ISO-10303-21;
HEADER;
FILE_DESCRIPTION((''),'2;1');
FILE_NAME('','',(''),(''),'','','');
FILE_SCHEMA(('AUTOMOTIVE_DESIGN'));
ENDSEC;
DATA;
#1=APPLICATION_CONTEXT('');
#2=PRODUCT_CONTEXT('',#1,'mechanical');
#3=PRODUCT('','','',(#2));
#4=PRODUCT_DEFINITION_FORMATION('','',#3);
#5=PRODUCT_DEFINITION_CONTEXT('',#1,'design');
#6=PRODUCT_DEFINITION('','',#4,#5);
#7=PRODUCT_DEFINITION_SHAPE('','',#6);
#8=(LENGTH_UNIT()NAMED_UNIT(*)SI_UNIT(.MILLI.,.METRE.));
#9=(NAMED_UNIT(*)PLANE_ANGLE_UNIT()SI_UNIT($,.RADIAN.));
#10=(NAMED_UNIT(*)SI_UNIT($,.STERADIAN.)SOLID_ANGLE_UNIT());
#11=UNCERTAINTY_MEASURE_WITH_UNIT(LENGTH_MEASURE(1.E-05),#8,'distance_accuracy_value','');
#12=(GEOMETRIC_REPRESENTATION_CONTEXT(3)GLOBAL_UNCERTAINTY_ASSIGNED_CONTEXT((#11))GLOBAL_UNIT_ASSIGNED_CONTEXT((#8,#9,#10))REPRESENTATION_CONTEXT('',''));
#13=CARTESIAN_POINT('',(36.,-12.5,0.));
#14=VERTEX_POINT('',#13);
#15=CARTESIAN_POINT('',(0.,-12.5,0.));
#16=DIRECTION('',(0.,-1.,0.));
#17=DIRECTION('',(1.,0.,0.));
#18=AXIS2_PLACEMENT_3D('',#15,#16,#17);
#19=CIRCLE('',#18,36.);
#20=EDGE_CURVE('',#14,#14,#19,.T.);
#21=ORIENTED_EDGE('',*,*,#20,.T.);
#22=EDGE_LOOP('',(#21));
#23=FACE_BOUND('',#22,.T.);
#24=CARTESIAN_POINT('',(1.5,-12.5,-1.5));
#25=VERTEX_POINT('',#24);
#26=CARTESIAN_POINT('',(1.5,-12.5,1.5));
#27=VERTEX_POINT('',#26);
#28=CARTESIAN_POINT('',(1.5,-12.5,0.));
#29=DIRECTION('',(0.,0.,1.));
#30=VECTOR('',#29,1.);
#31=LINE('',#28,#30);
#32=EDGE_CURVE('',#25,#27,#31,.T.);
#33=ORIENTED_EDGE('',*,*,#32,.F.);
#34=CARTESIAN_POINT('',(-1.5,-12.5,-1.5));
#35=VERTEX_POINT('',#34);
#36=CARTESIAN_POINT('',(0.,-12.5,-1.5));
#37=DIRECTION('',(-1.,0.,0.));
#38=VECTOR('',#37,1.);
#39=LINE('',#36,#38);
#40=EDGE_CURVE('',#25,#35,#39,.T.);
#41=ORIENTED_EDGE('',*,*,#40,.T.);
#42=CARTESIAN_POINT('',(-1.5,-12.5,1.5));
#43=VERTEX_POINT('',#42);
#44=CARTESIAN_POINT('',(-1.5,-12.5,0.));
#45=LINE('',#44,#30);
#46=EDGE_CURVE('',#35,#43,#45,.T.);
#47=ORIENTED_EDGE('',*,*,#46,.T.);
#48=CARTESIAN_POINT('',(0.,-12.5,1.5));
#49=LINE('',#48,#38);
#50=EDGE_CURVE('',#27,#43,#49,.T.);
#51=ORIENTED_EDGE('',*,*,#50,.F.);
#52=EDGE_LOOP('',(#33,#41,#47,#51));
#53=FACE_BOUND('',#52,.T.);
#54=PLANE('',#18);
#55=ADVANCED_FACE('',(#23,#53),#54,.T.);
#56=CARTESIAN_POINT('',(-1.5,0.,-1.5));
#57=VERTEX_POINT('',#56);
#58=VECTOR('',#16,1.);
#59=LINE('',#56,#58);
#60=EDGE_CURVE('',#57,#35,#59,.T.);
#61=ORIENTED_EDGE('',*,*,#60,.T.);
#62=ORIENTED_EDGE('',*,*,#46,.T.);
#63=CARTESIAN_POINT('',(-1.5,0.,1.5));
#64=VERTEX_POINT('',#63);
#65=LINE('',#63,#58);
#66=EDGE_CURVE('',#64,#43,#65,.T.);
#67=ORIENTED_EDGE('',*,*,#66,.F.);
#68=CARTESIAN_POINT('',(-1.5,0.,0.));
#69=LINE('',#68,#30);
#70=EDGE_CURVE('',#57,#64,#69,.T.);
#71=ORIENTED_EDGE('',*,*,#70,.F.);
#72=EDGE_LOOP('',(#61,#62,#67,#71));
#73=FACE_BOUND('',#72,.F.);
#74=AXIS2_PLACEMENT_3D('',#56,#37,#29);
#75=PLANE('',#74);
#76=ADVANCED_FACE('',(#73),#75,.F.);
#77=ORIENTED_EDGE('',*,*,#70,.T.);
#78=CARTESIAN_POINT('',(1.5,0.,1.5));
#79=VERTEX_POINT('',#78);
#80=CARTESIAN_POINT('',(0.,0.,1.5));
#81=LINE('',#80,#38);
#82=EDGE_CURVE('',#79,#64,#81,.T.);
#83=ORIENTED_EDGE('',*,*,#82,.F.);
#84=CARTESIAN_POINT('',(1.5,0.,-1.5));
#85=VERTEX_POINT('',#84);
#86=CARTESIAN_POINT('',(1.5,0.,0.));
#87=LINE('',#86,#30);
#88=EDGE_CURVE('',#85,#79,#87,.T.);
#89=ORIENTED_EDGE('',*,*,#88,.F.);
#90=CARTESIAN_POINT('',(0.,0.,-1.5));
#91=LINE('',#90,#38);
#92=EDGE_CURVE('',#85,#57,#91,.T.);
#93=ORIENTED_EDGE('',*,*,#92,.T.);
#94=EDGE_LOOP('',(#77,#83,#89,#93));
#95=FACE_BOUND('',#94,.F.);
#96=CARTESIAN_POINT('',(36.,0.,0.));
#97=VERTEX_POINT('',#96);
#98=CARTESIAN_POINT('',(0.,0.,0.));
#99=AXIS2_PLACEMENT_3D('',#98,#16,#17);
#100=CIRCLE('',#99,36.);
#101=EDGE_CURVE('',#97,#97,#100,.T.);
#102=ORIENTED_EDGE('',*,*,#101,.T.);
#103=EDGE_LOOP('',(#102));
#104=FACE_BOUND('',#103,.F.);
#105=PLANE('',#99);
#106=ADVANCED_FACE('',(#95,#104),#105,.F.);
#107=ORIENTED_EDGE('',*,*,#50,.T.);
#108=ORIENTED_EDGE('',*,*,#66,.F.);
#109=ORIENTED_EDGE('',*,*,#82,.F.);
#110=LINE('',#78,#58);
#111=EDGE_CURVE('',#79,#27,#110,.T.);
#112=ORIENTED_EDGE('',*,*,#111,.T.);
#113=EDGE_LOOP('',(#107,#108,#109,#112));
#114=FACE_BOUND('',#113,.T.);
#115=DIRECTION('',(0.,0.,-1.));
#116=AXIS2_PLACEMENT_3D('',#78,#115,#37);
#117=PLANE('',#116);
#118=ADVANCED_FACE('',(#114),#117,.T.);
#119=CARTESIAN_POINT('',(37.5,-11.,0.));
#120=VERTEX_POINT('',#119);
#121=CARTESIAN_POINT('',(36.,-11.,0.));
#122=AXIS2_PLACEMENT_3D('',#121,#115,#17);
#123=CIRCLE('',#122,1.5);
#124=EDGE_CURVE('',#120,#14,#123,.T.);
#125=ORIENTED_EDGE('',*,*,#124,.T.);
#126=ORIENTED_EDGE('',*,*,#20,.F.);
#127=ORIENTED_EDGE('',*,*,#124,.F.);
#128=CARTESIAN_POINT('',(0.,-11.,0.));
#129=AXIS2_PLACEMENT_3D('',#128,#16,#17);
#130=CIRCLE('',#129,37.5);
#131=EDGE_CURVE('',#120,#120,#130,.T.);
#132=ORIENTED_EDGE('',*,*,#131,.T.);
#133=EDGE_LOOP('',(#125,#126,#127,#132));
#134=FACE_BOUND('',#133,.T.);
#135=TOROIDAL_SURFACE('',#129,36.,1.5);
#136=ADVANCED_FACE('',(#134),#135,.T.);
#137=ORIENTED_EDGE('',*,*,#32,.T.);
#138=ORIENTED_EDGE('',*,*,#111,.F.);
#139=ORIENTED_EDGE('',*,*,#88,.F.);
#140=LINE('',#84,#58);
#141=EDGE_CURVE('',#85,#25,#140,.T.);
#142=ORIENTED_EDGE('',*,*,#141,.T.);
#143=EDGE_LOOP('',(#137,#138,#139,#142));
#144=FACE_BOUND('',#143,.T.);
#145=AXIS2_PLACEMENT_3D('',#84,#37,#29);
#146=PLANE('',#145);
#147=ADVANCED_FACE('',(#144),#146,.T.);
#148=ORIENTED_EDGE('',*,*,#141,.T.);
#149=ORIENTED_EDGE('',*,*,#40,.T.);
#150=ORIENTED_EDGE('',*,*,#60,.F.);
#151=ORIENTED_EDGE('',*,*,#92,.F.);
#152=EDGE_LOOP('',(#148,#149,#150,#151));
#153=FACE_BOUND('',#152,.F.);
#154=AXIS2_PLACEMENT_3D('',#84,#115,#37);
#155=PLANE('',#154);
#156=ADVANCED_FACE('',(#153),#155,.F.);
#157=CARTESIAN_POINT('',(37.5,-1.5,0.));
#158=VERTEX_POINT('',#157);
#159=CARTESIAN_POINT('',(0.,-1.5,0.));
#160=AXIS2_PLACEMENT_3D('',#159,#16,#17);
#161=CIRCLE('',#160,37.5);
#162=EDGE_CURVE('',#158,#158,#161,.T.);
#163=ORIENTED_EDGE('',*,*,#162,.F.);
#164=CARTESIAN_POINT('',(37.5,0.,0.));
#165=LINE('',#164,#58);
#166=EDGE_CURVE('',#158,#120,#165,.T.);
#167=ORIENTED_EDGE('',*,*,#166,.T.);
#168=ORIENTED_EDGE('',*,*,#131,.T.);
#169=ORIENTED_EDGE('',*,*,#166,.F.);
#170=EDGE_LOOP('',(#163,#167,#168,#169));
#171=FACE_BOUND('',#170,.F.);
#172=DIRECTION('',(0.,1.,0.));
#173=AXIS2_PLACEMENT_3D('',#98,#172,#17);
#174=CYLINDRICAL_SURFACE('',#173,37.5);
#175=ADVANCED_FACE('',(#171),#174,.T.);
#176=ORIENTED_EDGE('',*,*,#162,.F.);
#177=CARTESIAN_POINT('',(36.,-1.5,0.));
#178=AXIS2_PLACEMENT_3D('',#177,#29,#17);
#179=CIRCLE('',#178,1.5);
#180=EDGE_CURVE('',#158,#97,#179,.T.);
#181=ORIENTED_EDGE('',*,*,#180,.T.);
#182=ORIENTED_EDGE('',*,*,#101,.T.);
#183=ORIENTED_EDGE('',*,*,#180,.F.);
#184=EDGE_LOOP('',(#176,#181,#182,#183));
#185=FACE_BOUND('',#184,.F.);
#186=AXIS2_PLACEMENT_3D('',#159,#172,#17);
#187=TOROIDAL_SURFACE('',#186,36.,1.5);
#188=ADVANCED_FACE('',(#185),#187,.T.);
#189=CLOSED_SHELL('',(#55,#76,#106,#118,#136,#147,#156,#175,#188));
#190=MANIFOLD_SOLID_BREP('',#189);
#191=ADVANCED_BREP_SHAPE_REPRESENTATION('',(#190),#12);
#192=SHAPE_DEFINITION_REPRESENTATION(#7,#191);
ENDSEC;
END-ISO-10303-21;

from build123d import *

# Parameters (mm, degrees)
F0_R     = 37.5
F1_DEPTH = 12.5
F2_W     = 3
F2_H     = 3
F3_DEPTH = 12.5
F4_R     = 1.5


with BuildPart() as f1:
    # F0 (on Front) → F1 (new body)
    with BuildSketch(Plane.XZ):
        Circle(F0_R)
    extrude(amount=F1_DEPTH)

    # F2 (on face) → F3 (cut, through all)
    with BuildSketch(Plane(origin=(0, 0, 0), x_dir=(-1, 0, 0), z_dir=(0, 1, 0))):
        Rectangle(F2_W, F2_H)
    extrude(amount=-F3_DEPTH, mode=Mode.SUBTRACT)

    # F4
    f4_edges = [f1.edges().sort_by_distance(p)[0] for p in [
        (-37.5, 0, 0),
        (-37.5, -12.5, 0),
    ]]
    fillet(f4_edges, radius=F4_R)


solid = f1.part
